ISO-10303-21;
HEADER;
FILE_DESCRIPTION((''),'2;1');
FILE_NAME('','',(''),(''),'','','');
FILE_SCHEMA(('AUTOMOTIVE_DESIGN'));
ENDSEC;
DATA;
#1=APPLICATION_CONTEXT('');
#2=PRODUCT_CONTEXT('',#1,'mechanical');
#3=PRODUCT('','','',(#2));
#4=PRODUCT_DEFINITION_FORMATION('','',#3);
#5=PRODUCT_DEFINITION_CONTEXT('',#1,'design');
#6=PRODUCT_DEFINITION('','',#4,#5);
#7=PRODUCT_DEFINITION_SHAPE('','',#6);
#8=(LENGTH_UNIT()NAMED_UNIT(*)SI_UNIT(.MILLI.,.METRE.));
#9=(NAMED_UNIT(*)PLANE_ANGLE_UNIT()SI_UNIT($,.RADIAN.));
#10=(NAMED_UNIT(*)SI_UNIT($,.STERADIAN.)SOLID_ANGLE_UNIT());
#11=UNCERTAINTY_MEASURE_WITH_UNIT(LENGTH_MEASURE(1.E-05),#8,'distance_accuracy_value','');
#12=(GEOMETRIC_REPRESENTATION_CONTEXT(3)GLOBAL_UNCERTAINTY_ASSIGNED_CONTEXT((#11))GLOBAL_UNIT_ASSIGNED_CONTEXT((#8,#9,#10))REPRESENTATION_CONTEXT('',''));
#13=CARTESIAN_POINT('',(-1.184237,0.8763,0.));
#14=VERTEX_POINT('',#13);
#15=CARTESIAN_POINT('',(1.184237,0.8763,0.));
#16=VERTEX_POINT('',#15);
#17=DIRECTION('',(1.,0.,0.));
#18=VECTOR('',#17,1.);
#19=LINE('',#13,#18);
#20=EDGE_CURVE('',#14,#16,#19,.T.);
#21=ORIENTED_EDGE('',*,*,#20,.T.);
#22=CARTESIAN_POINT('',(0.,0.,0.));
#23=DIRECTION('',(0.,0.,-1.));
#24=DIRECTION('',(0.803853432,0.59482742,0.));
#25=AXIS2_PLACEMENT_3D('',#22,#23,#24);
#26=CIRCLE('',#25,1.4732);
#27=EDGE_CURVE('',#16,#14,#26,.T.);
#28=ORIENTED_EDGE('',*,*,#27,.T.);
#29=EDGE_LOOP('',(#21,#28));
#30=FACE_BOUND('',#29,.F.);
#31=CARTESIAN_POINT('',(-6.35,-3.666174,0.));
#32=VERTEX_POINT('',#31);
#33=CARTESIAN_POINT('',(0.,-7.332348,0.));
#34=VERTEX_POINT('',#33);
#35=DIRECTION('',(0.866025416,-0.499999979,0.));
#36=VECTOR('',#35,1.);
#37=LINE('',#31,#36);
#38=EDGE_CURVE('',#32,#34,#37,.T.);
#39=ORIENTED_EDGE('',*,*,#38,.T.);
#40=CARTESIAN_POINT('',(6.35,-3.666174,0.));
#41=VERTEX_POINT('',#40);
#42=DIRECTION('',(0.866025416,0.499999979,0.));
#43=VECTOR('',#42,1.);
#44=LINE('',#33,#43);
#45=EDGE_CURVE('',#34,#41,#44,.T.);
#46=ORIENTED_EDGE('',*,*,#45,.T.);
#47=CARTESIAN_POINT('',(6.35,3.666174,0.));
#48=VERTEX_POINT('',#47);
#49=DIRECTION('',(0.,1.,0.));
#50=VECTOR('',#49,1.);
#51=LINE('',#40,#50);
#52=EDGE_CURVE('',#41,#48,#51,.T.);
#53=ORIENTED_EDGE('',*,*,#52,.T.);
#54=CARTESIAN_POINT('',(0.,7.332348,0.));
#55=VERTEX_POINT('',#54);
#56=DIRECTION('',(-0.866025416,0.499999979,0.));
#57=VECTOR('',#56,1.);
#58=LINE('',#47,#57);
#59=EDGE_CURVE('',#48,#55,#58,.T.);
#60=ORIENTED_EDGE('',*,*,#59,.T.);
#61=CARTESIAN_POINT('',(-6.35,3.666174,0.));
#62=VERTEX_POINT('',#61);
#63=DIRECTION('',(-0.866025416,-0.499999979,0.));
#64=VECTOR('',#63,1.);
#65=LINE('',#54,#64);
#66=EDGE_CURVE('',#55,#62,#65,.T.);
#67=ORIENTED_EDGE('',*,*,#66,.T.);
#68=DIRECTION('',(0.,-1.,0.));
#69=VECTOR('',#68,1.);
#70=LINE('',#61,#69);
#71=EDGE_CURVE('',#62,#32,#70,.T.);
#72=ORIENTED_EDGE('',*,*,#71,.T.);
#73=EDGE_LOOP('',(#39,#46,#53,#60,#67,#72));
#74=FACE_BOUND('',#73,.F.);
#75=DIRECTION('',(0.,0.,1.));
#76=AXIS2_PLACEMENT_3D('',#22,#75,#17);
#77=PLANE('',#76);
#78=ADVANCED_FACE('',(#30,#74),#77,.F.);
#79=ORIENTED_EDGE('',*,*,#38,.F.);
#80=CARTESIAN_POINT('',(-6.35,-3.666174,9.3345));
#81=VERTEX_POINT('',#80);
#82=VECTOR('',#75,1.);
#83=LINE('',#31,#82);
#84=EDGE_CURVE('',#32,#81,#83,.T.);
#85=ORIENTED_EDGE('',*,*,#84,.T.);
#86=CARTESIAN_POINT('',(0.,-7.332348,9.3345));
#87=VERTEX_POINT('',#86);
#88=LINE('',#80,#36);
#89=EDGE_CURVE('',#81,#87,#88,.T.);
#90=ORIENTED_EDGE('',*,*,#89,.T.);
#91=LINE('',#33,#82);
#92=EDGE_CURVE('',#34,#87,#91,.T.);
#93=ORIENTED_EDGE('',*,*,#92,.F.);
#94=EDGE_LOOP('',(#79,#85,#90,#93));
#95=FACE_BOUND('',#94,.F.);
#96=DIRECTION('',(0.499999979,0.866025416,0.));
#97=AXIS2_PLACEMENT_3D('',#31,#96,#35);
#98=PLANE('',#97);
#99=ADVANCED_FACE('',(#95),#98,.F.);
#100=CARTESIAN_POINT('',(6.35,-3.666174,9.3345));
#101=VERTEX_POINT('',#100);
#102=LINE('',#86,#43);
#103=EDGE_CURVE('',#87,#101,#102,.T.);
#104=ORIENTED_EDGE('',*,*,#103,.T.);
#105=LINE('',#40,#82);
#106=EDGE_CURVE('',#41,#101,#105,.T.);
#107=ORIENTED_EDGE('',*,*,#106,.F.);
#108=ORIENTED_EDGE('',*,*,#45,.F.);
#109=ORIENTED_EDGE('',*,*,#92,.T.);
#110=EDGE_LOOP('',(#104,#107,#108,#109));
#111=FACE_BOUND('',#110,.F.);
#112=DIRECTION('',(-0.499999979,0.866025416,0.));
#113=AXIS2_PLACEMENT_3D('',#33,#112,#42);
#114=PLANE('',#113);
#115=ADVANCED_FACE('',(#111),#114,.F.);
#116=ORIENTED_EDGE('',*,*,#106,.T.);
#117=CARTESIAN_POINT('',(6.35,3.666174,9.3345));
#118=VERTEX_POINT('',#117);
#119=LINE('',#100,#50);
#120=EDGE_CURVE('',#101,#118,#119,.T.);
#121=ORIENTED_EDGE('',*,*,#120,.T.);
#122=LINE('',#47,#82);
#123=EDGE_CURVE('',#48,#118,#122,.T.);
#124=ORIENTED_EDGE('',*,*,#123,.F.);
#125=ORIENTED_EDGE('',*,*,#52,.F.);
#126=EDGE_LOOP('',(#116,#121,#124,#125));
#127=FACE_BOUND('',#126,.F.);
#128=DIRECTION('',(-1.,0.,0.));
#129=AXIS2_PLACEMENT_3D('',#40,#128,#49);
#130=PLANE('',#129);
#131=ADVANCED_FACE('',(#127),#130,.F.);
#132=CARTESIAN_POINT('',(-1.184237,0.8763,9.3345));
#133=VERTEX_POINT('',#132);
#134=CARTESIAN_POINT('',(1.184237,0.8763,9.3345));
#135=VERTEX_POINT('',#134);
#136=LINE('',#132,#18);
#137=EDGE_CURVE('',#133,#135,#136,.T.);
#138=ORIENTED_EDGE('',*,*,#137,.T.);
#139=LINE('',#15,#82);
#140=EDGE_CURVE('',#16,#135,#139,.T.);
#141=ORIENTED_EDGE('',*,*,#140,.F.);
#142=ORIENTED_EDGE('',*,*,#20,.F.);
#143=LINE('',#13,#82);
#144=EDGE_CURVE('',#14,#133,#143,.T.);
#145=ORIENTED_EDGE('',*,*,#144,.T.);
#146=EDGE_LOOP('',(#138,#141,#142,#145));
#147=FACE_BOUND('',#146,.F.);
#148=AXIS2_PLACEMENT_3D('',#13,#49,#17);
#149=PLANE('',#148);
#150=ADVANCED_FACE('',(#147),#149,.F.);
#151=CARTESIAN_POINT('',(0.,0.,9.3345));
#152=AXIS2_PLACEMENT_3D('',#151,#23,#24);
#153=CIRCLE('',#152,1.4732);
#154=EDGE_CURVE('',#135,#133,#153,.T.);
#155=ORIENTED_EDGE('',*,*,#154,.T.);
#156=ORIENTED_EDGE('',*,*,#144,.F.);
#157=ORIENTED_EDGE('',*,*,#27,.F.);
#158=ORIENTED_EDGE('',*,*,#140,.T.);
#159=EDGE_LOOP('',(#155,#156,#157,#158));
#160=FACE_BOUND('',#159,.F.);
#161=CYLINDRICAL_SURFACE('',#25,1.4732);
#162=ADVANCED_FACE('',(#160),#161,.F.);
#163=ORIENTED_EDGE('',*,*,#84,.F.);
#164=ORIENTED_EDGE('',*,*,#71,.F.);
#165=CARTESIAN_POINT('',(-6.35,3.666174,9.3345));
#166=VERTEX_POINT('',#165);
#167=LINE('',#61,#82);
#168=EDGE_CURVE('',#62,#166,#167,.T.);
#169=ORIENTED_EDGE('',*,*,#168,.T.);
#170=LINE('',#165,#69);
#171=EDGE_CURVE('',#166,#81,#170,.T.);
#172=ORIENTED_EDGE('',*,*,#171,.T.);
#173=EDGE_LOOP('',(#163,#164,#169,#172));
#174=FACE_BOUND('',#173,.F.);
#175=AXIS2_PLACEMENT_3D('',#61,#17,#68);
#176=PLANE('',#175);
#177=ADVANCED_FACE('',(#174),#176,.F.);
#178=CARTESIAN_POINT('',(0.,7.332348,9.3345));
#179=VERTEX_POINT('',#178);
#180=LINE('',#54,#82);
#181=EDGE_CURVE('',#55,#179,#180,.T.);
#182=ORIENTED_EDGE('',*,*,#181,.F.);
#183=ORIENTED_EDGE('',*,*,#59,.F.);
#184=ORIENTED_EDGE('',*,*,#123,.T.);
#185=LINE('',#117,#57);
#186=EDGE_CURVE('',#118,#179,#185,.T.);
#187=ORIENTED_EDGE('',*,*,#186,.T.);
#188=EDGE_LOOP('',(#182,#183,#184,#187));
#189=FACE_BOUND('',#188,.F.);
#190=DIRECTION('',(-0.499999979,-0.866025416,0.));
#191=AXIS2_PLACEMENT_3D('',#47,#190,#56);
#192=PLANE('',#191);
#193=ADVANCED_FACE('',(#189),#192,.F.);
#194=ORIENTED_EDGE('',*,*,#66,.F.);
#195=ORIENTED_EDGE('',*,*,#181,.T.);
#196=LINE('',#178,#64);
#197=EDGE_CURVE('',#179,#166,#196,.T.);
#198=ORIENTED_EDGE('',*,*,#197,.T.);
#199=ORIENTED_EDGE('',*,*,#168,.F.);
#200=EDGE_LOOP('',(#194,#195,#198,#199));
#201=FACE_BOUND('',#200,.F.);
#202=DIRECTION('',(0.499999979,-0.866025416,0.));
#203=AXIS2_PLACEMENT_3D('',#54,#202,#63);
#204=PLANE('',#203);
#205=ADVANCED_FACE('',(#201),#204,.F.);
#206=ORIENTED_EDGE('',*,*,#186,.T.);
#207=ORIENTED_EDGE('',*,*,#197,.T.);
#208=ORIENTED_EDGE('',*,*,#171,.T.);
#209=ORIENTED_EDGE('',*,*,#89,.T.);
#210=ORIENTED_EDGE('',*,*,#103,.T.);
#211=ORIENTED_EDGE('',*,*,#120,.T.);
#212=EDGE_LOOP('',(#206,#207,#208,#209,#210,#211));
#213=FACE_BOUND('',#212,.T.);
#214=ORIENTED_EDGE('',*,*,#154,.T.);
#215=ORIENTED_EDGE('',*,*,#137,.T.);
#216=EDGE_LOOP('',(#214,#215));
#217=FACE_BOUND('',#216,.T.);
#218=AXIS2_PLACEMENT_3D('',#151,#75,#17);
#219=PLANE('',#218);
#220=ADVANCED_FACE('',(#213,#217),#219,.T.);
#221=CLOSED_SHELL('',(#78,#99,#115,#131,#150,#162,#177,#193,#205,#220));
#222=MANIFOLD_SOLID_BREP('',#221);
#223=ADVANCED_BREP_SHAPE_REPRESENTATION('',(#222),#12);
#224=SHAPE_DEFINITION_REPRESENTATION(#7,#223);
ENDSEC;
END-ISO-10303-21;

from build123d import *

# Parameters (mm, degrees)
F1_DEPTH = 9.3345


with BuildPart() as f1:
    # F0 (on Top) → F1 (new body)
    with BuildSketch(Plane.XY):
        Polygon((6.35, 3.666174), (0, 7.332348), (-6.35, 3.666174), (-6.35, -3.666174), (0, -7.332348), (6.35, -3.666174), align=None)
        with BuildLine():
            ThreePointArc((1.184237, 0.8763), (0, -1.4732), (-1.184237, 0.8763))
            Line((-1.184237, 0.8763), (1.184237, 0.8763))
        make_face(mode=Mode.SUBTRACT)
    extrude(amount=F1_DEPTH)


solid = f1.part
